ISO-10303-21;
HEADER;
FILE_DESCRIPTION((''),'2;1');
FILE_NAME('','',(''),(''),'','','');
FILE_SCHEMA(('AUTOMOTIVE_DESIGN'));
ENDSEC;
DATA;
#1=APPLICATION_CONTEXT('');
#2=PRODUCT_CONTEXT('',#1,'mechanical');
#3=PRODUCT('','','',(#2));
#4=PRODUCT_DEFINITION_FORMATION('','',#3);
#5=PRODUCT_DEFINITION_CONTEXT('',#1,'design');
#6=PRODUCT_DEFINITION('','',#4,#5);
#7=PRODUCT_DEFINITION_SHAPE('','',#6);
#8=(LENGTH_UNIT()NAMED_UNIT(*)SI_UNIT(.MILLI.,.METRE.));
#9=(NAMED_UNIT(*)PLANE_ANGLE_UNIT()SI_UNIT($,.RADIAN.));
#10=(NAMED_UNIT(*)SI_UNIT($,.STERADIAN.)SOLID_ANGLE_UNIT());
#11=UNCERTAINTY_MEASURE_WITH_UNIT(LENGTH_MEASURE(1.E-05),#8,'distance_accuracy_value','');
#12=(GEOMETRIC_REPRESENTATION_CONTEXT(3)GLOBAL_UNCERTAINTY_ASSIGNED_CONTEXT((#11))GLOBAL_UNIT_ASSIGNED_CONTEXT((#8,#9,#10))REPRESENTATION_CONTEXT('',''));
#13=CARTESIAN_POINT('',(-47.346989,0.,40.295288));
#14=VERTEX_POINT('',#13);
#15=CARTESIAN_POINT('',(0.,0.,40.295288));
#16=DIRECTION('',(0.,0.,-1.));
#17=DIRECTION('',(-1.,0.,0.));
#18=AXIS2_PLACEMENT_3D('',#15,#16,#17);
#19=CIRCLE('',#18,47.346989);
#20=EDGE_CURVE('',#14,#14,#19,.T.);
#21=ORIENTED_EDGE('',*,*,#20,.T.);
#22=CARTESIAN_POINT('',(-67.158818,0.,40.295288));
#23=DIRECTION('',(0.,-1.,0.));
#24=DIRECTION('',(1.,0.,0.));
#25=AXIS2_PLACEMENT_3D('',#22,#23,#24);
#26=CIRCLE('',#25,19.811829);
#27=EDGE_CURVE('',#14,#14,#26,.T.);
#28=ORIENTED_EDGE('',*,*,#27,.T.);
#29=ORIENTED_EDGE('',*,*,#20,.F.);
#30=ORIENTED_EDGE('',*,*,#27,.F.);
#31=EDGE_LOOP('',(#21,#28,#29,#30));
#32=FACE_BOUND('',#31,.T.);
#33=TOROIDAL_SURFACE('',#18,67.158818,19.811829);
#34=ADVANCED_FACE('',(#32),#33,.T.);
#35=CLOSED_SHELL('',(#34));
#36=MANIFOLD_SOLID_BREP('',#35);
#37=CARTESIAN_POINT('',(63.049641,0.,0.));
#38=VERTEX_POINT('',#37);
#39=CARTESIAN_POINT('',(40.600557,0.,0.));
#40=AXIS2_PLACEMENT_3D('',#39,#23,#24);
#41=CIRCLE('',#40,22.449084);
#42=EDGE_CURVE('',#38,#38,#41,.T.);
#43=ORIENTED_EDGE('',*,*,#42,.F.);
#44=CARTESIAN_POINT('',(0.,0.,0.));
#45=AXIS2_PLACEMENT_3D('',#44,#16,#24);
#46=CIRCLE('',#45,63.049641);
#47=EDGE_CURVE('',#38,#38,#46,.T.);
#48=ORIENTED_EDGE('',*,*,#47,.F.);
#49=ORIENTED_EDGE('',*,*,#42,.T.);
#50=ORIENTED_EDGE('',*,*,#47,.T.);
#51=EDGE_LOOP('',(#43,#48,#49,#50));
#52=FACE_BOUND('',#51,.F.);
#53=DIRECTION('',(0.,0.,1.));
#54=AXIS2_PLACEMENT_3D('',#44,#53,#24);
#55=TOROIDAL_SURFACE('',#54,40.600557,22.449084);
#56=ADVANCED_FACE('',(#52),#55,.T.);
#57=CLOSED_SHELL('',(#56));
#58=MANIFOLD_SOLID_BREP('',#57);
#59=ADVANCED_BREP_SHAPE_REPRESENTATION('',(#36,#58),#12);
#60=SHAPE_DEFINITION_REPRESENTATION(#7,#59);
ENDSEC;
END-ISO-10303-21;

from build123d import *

# Parameters (mm, degrees)
F0_R = 22.449084
F2_R = 19.811829


with BuildPart() as f1:
    # F0 (on Front) → F1 (revolve)
    with BuildSketch(Plane.XZ):
        with Locations((40.600557, 0)):
            Circle(F0_R)
    revolve(axis=Axis((0, 0, 6.715883), (0, 0, -1)))


with BuildPart() as f3:
    # F2 (on Front) → F3 (revolve)
    with BuildSketch(Plane.XZ):
        with Locations((-67.158818, 40.295288)):
            Circle(F2_R)
    revolve(axis=Axis((0, 0, 40.600556), (0, 0, -1)))


solid = Compound([f1.part, f3.part])
